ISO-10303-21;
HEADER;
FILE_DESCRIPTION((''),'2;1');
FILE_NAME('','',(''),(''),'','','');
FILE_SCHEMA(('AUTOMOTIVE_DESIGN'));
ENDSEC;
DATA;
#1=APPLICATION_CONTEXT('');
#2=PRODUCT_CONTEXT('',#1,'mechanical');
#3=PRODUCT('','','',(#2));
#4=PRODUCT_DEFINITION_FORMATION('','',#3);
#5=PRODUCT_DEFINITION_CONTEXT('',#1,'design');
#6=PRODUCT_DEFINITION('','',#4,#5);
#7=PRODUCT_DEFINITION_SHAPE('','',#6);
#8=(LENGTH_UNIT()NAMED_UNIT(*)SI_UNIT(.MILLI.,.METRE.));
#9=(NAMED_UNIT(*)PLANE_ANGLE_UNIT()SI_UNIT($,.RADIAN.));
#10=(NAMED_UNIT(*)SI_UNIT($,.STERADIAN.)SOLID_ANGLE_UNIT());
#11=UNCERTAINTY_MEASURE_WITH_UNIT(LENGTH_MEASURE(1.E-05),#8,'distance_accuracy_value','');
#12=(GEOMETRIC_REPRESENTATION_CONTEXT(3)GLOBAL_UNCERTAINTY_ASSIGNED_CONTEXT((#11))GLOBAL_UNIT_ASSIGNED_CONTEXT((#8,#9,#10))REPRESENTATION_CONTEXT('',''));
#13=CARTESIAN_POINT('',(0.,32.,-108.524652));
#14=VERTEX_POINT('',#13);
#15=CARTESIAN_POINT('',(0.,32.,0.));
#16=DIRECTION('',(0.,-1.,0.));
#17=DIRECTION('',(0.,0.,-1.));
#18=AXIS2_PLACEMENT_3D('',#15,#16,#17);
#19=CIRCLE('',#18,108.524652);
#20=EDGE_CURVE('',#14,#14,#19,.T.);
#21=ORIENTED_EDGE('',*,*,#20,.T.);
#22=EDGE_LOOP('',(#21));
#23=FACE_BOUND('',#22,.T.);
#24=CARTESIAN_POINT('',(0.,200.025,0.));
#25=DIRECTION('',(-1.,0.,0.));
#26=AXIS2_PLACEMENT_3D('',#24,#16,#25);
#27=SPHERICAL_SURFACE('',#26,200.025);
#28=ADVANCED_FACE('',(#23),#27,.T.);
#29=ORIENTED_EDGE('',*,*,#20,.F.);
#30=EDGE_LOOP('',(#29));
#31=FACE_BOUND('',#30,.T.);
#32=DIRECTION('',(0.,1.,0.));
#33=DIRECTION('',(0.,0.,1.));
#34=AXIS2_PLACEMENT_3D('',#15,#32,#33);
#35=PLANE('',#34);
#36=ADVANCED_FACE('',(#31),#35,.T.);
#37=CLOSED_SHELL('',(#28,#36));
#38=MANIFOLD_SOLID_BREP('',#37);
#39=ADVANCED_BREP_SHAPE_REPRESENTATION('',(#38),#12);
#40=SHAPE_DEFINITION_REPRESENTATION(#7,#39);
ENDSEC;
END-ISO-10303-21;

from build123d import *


with BuildPart() as part:
    # Sketch1 → Revolve1 (revolve)
    with BuildSketch(Plane.XY, mode=Mode.PRIVATE) as revolve1_sk:
        with BuildLine():
            Line((0, 0), (0, 32))
            Line((0, 32), (108.524651577, 32))
            ThreePointArc((108.524651577, 32), (56.572077918, 8.166717341), (0, 0))
        make_face()
    revolve(revolve1_sk.sketch.rotate(Axis((0, 0, 0), (0, 1, 0)), 180), axis=Axis((0, 0, 0), (0, 1, 0)))


solid = part.part
